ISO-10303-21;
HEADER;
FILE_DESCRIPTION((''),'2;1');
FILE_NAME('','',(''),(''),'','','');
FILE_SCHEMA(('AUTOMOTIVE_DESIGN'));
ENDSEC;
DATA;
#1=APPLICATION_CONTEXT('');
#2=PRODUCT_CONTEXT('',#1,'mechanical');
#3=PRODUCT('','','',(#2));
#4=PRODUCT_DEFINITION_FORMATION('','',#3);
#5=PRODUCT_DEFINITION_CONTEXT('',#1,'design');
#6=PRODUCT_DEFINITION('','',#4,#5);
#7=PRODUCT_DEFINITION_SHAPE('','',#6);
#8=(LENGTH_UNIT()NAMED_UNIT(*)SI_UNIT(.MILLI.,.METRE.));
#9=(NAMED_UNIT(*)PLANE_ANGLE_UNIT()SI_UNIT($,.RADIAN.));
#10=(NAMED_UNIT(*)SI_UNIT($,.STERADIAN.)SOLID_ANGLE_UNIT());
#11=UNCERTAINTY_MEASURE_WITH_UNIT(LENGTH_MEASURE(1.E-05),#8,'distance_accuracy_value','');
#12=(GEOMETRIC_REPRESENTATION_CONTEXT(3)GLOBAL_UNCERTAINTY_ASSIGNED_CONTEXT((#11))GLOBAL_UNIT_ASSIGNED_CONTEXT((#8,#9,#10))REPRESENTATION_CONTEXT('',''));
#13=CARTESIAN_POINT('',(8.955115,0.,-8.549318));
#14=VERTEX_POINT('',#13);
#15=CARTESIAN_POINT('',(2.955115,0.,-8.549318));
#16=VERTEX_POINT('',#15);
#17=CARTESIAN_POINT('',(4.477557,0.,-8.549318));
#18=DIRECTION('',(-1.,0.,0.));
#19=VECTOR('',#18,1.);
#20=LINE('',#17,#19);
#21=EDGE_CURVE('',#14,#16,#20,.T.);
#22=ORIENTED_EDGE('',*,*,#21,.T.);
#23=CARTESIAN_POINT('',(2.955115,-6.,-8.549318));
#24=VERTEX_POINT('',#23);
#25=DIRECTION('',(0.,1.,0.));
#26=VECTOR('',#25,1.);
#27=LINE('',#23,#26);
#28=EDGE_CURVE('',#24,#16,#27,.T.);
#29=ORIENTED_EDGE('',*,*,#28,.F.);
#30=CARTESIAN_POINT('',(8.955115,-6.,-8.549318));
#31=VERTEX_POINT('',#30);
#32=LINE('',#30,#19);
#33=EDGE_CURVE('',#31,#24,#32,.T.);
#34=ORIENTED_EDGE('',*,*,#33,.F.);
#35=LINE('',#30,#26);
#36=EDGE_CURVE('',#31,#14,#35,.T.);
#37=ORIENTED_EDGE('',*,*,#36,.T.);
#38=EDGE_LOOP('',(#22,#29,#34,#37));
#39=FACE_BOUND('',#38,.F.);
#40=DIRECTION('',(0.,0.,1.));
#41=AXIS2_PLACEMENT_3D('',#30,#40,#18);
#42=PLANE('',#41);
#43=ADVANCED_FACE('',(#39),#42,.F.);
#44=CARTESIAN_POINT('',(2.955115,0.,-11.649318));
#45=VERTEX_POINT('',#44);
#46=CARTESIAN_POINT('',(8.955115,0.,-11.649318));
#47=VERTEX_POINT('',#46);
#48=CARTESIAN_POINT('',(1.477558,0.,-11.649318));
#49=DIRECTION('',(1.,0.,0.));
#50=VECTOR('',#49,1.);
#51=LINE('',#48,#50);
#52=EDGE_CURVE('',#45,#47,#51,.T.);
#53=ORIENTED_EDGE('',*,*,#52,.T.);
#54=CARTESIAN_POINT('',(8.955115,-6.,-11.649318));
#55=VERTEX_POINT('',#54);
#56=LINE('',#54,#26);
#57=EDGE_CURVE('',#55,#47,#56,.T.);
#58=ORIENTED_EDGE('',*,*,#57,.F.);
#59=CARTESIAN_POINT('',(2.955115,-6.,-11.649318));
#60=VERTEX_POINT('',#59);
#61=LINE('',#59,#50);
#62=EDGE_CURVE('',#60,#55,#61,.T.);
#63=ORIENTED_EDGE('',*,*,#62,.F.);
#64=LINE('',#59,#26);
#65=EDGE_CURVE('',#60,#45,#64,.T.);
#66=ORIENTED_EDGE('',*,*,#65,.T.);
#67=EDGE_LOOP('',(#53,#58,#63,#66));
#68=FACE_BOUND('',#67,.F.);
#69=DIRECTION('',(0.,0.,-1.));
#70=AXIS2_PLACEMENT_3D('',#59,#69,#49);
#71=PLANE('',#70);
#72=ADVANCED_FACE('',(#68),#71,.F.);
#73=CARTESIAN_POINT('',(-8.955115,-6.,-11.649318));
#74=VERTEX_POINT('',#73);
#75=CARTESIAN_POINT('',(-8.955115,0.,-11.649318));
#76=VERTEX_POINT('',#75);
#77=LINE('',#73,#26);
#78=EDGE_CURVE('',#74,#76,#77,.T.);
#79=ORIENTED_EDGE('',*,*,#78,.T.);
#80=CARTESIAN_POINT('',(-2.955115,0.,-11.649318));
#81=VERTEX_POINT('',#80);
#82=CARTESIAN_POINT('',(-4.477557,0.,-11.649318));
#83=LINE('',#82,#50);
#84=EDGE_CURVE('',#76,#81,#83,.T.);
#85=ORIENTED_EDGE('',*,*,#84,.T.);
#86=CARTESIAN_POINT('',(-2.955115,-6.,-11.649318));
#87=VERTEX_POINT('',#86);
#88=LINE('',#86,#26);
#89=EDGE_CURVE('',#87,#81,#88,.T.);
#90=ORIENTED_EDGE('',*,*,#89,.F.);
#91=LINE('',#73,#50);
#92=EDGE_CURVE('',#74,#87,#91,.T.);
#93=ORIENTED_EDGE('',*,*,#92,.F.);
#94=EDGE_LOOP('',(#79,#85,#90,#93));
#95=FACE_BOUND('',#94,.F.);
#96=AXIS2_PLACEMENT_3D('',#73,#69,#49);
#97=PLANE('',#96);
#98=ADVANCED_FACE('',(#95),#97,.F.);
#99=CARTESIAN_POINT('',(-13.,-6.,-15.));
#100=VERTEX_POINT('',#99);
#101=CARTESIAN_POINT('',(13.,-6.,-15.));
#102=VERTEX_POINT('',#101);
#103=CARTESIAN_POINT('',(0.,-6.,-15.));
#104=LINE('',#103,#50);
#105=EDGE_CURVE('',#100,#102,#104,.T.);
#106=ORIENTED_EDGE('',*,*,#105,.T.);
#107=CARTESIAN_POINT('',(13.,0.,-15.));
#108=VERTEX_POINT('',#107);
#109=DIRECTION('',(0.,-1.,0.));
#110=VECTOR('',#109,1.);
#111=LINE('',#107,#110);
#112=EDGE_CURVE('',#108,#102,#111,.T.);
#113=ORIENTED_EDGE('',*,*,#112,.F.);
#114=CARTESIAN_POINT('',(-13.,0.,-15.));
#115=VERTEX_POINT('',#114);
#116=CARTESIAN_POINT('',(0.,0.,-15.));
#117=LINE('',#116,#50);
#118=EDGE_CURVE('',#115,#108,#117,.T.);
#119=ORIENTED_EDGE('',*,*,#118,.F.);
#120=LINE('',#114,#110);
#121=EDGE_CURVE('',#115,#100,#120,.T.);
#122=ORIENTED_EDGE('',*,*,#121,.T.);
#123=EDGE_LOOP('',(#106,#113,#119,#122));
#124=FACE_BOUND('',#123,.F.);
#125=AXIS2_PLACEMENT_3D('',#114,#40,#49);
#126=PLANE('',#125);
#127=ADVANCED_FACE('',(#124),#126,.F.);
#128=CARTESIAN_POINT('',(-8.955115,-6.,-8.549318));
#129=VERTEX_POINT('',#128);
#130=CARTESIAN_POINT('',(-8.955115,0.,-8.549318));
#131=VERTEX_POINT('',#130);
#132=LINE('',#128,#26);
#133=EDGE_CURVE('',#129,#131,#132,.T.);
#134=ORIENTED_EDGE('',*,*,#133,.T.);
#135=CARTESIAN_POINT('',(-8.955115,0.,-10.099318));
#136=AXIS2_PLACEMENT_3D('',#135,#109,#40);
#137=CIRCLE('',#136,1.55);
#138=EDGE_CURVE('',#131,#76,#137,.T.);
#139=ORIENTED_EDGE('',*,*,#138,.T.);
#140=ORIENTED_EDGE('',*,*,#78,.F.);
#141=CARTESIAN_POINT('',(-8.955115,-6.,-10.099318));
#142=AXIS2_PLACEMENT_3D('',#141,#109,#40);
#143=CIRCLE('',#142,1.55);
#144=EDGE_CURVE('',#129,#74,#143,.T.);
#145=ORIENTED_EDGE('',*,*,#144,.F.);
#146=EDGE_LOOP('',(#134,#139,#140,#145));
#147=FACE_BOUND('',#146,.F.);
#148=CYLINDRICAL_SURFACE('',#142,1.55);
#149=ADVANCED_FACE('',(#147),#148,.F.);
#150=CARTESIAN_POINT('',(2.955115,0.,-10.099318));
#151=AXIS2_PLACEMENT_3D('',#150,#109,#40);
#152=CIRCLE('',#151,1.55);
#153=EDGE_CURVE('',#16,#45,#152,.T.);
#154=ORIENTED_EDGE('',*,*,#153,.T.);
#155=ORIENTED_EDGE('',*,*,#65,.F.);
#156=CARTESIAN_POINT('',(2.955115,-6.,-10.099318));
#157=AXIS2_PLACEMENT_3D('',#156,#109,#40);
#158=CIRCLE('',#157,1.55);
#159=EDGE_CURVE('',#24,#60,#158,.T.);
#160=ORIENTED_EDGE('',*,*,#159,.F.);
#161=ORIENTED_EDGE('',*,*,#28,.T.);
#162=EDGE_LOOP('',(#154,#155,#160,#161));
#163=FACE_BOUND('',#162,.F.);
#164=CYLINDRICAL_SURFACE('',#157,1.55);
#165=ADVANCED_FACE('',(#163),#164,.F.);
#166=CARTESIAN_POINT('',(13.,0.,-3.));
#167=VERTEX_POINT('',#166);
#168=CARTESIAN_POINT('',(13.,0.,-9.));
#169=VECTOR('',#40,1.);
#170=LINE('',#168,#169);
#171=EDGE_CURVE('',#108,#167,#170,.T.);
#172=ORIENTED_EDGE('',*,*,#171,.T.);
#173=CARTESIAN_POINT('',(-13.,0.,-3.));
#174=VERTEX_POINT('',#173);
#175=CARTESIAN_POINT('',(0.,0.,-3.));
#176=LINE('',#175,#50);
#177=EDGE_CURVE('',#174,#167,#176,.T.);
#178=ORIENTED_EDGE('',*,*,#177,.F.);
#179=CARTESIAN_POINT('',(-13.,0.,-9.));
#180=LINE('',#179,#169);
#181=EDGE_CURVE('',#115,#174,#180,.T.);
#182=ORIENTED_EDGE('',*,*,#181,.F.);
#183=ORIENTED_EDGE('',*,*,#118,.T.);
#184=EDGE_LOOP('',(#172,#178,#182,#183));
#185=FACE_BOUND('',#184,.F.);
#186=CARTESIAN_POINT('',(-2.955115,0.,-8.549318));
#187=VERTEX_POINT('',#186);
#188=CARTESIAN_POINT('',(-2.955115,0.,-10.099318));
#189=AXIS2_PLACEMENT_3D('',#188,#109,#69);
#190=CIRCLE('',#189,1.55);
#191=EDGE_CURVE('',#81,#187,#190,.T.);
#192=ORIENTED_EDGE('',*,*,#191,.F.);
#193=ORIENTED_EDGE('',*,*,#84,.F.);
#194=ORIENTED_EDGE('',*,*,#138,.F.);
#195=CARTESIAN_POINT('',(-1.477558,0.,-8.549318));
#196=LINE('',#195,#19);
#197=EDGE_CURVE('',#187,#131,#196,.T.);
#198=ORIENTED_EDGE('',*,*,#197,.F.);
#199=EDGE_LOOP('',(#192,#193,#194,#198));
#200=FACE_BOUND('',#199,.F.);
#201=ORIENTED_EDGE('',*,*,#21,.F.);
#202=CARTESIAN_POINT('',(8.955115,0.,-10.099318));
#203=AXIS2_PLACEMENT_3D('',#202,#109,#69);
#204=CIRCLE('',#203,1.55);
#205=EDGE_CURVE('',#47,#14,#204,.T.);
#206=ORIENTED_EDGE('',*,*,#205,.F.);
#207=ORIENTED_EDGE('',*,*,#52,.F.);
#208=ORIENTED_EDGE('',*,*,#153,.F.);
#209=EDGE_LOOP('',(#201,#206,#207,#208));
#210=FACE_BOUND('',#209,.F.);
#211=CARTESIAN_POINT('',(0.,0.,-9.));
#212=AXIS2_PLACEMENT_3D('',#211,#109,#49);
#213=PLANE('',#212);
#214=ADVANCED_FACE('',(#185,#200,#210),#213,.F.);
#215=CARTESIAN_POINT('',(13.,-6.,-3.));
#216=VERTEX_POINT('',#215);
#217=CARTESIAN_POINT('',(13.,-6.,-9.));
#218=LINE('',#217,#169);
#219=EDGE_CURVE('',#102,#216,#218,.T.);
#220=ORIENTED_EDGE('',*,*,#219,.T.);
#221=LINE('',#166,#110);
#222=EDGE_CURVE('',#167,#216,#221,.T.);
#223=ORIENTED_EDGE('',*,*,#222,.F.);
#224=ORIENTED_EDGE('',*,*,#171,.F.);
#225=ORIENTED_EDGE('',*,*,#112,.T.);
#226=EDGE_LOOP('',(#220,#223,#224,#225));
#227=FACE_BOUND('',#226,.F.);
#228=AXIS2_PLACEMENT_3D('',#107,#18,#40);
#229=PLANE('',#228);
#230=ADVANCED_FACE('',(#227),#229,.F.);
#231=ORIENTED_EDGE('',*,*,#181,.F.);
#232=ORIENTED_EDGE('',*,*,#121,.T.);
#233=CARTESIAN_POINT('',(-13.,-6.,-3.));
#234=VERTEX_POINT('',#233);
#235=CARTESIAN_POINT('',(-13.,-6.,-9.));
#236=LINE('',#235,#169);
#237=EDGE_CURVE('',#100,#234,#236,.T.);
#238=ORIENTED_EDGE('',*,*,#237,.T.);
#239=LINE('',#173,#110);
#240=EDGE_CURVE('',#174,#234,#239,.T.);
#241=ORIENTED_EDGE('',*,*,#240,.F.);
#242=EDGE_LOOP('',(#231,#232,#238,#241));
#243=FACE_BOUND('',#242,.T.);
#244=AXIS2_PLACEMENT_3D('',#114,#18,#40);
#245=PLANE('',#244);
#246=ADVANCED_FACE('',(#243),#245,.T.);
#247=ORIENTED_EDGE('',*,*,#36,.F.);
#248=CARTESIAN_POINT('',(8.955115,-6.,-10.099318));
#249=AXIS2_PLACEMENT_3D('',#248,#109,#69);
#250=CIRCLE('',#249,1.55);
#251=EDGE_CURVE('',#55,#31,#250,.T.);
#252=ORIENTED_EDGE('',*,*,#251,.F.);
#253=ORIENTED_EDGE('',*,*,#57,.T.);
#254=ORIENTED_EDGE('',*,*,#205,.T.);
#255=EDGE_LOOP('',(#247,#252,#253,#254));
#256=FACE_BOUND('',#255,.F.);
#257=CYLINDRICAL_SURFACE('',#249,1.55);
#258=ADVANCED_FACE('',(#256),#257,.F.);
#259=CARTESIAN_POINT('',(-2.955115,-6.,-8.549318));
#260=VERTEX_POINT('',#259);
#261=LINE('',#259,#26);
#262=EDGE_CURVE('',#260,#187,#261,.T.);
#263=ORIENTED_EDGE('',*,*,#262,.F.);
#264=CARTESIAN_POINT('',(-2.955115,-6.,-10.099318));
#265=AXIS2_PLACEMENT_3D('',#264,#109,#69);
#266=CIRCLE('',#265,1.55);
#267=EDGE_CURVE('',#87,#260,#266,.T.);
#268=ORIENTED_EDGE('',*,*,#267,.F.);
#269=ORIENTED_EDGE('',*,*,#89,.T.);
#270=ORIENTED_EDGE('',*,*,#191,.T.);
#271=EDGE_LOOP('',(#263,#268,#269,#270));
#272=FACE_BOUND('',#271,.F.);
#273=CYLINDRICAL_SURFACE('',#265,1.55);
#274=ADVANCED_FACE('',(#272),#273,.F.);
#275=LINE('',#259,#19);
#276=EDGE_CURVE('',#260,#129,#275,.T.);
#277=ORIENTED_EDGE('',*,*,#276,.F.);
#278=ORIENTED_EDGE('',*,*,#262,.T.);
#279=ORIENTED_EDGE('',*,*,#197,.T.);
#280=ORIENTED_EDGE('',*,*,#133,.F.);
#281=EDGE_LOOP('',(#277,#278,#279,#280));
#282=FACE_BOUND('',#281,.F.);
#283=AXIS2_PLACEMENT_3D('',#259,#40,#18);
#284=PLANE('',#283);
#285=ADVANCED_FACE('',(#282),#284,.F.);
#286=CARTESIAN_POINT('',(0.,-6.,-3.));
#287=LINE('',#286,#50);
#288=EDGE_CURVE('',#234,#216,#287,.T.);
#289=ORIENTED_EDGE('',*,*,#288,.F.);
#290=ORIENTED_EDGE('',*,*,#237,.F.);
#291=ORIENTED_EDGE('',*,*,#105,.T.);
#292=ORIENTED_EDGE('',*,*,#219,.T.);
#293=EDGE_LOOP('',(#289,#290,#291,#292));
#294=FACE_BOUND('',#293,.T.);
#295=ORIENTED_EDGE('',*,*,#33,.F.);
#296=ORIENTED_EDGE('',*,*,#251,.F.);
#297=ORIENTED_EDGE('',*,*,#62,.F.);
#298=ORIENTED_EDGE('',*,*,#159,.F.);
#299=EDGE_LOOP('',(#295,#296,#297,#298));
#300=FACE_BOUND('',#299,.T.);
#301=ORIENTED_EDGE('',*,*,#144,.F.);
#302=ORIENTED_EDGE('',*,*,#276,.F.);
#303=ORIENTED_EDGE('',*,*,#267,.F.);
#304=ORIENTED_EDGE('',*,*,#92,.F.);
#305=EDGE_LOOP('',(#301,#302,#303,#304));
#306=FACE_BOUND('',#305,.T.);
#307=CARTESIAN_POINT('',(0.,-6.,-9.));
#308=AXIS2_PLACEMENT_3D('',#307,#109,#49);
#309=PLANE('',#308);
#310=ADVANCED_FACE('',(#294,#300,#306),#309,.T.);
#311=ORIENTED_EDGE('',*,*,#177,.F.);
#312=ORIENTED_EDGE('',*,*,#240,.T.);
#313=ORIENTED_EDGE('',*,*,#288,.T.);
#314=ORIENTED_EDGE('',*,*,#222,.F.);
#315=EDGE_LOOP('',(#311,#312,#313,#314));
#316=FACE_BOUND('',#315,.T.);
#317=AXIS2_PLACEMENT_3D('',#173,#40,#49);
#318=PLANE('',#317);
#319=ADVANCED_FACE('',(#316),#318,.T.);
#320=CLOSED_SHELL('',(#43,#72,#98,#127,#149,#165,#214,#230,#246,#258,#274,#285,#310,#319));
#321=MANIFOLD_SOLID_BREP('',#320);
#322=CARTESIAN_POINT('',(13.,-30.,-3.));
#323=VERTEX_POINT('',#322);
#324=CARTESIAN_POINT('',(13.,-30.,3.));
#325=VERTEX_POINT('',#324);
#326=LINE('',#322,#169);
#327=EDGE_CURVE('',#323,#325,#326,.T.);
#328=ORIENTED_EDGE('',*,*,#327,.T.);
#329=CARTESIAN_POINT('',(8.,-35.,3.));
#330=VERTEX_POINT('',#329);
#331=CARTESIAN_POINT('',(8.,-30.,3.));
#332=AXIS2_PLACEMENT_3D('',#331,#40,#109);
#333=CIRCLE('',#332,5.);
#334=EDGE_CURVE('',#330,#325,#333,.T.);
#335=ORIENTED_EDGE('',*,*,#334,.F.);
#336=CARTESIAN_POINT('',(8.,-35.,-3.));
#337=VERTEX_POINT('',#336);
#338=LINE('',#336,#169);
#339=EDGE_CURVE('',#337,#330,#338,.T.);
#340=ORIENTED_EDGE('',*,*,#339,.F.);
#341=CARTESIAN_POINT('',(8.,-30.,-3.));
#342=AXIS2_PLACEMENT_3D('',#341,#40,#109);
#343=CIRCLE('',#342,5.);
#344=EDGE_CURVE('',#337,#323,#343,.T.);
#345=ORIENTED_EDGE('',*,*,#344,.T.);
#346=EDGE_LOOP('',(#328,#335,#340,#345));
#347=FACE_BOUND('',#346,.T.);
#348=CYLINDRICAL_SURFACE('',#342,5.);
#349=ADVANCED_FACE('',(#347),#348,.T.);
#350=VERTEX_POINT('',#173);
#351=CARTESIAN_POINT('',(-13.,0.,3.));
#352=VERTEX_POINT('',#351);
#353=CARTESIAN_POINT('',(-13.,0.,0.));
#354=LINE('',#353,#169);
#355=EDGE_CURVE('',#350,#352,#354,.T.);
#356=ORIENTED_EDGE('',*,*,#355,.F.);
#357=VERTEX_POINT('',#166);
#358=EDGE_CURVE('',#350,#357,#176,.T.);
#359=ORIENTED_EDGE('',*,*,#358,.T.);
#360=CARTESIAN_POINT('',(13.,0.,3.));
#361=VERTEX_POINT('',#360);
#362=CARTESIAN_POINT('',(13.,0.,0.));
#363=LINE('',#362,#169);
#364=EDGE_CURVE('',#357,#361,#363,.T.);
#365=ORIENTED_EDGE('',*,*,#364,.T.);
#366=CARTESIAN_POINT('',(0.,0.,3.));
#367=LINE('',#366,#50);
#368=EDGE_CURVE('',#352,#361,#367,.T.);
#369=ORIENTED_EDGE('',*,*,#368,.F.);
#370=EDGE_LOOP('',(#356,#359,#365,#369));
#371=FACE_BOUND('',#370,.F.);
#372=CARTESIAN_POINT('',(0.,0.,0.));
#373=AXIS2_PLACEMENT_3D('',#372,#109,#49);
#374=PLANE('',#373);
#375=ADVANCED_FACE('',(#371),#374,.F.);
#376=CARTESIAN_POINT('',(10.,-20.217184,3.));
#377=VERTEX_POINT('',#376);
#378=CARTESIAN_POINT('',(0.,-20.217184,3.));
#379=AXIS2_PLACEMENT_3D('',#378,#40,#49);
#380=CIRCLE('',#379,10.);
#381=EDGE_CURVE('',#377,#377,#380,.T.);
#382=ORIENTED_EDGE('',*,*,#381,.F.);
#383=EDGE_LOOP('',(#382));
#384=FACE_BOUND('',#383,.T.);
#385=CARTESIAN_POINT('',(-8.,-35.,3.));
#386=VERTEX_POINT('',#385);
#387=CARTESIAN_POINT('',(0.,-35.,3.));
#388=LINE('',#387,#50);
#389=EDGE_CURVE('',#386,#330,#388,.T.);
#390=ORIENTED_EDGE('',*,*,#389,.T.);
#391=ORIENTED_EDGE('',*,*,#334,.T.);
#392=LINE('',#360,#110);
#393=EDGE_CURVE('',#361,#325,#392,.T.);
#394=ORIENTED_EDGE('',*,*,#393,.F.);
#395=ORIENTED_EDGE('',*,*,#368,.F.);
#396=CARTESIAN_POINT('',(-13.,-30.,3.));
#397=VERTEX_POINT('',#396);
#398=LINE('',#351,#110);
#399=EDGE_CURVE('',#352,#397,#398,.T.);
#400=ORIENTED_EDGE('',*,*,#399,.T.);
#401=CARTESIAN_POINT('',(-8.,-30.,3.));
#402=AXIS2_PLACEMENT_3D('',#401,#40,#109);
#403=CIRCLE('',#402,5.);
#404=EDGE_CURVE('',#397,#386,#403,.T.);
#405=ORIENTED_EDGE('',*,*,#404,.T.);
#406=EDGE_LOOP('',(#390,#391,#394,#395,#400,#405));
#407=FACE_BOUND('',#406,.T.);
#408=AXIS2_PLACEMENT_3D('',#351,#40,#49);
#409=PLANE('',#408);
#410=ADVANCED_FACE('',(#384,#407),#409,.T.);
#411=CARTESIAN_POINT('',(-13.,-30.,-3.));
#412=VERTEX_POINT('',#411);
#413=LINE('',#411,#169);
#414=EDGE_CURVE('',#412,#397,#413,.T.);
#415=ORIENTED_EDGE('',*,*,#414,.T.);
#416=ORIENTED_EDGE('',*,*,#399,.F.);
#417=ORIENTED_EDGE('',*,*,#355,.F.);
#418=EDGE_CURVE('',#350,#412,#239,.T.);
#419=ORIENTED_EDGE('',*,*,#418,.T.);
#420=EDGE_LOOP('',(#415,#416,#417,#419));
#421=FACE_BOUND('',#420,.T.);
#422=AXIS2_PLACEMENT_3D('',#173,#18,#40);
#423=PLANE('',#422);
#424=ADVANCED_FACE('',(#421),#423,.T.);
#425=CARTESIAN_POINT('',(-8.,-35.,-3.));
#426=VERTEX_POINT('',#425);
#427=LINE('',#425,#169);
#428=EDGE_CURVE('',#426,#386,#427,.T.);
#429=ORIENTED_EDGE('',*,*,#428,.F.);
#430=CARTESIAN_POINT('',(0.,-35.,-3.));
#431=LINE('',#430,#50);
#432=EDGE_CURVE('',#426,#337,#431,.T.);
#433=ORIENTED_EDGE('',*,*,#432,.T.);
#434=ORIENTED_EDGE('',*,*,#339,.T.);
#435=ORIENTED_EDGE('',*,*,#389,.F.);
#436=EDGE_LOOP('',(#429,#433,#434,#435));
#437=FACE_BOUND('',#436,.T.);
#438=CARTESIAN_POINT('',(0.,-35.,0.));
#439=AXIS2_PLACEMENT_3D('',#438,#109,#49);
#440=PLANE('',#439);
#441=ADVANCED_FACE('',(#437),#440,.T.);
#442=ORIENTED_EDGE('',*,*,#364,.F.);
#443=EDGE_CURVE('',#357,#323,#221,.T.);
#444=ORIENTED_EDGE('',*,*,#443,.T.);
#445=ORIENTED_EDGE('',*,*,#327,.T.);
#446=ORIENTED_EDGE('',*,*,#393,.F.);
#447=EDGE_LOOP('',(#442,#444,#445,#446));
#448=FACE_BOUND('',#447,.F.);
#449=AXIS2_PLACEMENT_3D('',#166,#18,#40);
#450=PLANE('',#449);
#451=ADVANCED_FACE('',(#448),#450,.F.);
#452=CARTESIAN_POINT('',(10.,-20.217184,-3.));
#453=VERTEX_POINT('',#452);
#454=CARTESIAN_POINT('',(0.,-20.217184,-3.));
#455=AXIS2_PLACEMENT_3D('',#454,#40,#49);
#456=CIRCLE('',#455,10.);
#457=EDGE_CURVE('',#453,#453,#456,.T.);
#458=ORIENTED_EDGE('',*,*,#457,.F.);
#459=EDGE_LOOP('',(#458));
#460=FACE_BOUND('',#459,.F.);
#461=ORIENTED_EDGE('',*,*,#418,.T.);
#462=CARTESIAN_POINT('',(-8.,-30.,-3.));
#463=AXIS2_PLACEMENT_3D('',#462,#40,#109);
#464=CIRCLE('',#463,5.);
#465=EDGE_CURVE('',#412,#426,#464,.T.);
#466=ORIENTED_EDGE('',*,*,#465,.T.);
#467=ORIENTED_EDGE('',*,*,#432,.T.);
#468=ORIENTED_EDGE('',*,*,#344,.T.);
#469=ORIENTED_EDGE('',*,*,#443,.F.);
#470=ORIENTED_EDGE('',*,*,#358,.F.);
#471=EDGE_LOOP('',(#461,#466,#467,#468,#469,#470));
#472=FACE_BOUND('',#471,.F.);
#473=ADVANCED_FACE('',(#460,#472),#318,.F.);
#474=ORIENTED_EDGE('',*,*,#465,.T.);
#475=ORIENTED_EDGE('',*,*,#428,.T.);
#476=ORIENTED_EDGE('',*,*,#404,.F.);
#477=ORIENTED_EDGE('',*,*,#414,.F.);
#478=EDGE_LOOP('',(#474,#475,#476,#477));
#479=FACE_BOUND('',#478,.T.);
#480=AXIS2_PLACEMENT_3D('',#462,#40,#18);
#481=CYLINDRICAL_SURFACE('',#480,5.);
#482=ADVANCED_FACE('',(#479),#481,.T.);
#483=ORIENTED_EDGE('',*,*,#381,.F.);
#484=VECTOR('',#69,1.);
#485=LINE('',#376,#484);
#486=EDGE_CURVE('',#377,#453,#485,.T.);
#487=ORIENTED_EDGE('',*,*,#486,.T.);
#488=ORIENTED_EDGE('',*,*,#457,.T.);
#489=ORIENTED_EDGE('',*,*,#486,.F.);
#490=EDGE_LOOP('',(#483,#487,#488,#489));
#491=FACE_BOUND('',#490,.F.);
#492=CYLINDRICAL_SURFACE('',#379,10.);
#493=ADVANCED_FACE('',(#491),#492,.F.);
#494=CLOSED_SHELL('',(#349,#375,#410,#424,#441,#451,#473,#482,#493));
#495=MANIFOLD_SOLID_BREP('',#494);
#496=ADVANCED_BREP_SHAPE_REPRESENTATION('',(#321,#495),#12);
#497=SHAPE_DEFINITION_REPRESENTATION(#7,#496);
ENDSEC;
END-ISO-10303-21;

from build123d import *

# Parameters (mm, degrees)
F1_W     = 26
F1_H     = 6
F2_DEPTH = 35
F1_H_2   = 12
F3_DEPTH = 6
F6_DEPTH = 6.001
F4_R     = 10
F7_DEPTH = 18.001
F8_R     = 5


with BuildPart() as f2:
    # F1 (on face) → F2 (new body)
    with BuildSketch(Plane.XZ):
        Rectangle(F1_W, F1_H)
    extrude(amount=F2_DEPTH)

    # F4 (on face) → F7 (cut, through all)
    with BuildSketch(Plane.XY.offset(3)):
        with Locations((0, -20.217184)):
            Circle(F4_R)
    extrude(amount=-F7_DEPTH, mode=Mode.SUBTRACT)

    # F8
    f8_edges = [f2.edges().sort_by_distance(p)[0] for p in [
        (-13, -35, 0),
        (13, -35, 0),
    ]]
    fillet(f8_edges, radius=F8_R)


with BuildPart() as f3:
    # F1 (on face) → F3 (new body)
    with BuildSketch(Plane.XZ):
        with Locations((0, -9)):
            Rectangle(F1_W, F1_H_2)
    extrude(amount=F3_DEPTH)

    # F5 (on face) → F6 (cut, through all)
    with BuildSketch(Plane.XZ.offset(6)):
        with BuildLine():
            ThreePointArc((2.955115, -8.549318), (1.405115, -10.099318), (2.955115, -11.649318))
            Line((2.955115, -11.649318), (8.955115, -11.649318))
            ThreePointArc((8.955115, -11.649318), (10.505115, -10.099318), (8.955115, -8.549318))
            Line((8.955115, -8.549318), (5.495168, -8.549318))
            Line((5.495168, -8.549318), (5.473115, -8.549318))
            Line((5.473115, -8.549318), (2.955115, -8.549318))
        make_face()
        with BuildLine():
            Line((-2.955115, -8.549318), (-5.473115, -8.549318))
            Line((-5.473115, -8.549318), (-5.495168, -8.549318))
            Line((-5.495168, -8.549318), (-8.955115, -8.549318))
            ThreePointArc((-8.955115, -8.549318), (-10.505115, -10.099318), (-8.955115, -11.649318))
            Line((-8.955115, -11.649318), (-2.955115, -11.649318))
            ThreePointArc((-2.955115, -11.649318), (-1.405115, -10.099318), (-2.955115, -8.549318))
        make_face()
    extrude(amount=-F6_DEPTH, mode=Mode.SUBTRACT)


solid = Compound([f2.part, f3.part])
